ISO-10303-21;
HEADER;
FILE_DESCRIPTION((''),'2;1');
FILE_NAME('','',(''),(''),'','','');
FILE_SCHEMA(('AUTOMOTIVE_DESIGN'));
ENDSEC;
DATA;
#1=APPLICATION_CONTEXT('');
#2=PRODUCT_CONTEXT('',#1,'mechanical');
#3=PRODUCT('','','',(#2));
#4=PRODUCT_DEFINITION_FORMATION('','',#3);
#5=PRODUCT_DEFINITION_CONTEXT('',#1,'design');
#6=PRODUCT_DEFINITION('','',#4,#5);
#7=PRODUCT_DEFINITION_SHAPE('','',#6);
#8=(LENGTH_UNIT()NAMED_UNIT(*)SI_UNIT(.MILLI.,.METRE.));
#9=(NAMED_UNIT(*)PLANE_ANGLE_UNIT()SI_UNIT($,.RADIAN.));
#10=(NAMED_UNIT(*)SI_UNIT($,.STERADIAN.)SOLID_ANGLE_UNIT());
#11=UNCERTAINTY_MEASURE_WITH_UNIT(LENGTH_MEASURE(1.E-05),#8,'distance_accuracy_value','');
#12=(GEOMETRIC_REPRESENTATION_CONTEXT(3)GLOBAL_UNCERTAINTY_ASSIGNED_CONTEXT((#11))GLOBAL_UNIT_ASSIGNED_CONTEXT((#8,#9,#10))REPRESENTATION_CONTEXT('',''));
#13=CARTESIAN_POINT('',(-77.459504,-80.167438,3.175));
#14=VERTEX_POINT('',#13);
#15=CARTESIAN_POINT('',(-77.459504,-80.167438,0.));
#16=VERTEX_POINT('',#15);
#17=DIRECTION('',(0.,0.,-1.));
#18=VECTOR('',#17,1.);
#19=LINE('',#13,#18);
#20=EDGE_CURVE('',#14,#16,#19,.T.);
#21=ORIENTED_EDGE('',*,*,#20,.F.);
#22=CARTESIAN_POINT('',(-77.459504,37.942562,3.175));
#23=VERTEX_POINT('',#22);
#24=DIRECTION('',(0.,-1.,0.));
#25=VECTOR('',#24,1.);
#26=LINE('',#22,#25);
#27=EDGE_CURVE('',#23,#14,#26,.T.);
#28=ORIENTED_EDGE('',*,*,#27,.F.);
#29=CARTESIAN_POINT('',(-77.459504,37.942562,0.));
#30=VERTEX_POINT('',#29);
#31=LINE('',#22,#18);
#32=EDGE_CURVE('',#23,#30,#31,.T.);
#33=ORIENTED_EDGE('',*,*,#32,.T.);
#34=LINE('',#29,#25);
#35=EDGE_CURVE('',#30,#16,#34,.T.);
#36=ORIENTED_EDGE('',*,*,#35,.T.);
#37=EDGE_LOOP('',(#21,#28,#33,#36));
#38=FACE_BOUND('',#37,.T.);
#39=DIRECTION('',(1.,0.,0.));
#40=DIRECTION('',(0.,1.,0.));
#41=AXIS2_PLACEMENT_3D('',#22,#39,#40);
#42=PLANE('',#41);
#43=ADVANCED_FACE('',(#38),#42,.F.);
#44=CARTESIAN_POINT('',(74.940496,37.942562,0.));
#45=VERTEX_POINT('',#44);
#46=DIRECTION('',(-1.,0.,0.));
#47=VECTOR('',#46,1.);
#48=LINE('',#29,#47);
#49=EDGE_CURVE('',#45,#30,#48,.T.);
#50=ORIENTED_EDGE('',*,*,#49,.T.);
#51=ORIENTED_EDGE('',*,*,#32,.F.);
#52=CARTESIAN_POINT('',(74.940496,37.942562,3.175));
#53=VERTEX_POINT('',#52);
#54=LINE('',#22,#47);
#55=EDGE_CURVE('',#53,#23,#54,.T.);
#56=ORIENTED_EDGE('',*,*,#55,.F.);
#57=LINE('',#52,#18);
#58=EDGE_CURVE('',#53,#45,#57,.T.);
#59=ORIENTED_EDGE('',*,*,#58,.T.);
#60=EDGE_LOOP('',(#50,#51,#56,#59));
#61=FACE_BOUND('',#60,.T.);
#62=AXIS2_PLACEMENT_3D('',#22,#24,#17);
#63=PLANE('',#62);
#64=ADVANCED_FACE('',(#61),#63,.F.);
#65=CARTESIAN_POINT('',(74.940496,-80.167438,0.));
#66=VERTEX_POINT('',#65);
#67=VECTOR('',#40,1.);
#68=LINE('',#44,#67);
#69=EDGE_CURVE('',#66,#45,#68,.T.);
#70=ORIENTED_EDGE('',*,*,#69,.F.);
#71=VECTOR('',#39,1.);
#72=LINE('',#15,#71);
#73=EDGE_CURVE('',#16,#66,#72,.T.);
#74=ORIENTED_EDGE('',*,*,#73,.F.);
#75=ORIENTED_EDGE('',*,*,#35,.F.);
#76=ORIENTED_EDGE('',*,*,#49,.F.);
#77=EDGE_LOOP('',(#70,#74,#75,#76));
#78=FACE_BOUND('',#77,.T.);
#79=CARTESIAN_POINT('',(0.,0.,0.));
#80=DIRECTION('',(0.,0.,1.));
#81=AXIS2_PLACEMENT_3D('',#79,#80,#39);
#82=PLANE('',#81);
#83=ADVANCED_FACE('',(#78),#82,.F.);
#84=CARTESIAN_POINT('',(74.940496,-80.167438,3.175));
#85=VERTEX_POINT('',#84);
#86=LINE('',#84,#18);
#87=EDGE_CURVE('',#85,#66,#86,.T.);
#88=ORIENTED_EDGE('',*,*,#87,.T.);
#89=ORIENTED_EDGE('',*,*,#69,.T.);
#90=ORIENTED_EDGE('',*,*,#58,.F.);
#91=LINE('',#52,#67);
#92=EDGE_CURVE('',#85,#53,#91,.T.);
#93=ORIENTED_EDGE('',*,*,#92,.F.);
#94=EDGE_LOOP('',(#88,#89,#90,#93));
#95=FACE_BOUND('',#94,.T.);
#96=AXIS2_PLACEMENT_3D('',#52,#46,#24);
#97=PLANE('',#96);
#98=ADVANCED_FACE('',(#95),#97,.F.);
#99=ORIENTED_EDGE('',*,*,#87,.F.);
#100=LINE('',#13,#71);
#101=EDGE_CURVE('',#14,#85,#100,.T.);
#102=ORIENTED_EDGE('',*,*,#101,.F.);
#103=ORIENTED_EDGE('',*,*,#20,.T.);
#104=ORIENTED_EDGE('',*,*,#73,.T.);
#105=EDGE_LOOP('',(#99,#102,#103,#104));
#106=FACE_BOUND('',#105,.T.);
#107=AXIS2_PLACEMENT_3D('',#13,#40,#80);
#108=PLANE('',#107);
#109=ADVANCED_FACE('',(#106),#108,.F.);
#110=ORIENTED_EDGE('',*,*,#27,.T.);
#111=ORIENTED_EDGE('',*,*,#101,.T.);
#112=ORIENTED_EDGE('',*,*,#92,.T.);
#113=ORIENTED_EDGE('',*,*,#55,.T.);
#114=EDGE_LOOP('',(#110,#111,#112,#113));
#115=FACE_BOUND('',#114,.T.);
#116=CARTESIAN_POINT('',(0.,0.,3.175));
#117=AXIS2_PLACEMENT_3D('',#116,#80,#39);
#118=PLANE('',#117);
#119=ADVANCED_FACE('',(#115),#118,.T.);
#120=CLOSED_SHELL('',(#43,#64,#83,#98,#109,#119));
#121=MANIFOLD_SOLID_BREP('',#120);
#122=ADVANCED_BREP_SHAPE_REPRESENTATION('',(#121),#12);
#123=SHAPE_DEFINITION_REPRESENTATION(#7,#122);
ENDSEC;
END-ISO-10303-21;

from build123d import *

# Parameters (mm, degrees)
SKETCH1_W           = 152.4
SKETCH1_H           = 118.11
BOSS_EXTRUDE1_DEPTH = 3.175


with BuildPart() as part:
    # Sketch1 → Boss-Extrude1 (new body)
    with BuildSketch(Plane.XY):
        with Locations((-1.259504132, -21.112438017)):
            Rectangle(SKETCH1_W, SKETCH1_H)
    extrude(amount=BOSS_EXTRUDE1_DEPTH)


solid = part.part
